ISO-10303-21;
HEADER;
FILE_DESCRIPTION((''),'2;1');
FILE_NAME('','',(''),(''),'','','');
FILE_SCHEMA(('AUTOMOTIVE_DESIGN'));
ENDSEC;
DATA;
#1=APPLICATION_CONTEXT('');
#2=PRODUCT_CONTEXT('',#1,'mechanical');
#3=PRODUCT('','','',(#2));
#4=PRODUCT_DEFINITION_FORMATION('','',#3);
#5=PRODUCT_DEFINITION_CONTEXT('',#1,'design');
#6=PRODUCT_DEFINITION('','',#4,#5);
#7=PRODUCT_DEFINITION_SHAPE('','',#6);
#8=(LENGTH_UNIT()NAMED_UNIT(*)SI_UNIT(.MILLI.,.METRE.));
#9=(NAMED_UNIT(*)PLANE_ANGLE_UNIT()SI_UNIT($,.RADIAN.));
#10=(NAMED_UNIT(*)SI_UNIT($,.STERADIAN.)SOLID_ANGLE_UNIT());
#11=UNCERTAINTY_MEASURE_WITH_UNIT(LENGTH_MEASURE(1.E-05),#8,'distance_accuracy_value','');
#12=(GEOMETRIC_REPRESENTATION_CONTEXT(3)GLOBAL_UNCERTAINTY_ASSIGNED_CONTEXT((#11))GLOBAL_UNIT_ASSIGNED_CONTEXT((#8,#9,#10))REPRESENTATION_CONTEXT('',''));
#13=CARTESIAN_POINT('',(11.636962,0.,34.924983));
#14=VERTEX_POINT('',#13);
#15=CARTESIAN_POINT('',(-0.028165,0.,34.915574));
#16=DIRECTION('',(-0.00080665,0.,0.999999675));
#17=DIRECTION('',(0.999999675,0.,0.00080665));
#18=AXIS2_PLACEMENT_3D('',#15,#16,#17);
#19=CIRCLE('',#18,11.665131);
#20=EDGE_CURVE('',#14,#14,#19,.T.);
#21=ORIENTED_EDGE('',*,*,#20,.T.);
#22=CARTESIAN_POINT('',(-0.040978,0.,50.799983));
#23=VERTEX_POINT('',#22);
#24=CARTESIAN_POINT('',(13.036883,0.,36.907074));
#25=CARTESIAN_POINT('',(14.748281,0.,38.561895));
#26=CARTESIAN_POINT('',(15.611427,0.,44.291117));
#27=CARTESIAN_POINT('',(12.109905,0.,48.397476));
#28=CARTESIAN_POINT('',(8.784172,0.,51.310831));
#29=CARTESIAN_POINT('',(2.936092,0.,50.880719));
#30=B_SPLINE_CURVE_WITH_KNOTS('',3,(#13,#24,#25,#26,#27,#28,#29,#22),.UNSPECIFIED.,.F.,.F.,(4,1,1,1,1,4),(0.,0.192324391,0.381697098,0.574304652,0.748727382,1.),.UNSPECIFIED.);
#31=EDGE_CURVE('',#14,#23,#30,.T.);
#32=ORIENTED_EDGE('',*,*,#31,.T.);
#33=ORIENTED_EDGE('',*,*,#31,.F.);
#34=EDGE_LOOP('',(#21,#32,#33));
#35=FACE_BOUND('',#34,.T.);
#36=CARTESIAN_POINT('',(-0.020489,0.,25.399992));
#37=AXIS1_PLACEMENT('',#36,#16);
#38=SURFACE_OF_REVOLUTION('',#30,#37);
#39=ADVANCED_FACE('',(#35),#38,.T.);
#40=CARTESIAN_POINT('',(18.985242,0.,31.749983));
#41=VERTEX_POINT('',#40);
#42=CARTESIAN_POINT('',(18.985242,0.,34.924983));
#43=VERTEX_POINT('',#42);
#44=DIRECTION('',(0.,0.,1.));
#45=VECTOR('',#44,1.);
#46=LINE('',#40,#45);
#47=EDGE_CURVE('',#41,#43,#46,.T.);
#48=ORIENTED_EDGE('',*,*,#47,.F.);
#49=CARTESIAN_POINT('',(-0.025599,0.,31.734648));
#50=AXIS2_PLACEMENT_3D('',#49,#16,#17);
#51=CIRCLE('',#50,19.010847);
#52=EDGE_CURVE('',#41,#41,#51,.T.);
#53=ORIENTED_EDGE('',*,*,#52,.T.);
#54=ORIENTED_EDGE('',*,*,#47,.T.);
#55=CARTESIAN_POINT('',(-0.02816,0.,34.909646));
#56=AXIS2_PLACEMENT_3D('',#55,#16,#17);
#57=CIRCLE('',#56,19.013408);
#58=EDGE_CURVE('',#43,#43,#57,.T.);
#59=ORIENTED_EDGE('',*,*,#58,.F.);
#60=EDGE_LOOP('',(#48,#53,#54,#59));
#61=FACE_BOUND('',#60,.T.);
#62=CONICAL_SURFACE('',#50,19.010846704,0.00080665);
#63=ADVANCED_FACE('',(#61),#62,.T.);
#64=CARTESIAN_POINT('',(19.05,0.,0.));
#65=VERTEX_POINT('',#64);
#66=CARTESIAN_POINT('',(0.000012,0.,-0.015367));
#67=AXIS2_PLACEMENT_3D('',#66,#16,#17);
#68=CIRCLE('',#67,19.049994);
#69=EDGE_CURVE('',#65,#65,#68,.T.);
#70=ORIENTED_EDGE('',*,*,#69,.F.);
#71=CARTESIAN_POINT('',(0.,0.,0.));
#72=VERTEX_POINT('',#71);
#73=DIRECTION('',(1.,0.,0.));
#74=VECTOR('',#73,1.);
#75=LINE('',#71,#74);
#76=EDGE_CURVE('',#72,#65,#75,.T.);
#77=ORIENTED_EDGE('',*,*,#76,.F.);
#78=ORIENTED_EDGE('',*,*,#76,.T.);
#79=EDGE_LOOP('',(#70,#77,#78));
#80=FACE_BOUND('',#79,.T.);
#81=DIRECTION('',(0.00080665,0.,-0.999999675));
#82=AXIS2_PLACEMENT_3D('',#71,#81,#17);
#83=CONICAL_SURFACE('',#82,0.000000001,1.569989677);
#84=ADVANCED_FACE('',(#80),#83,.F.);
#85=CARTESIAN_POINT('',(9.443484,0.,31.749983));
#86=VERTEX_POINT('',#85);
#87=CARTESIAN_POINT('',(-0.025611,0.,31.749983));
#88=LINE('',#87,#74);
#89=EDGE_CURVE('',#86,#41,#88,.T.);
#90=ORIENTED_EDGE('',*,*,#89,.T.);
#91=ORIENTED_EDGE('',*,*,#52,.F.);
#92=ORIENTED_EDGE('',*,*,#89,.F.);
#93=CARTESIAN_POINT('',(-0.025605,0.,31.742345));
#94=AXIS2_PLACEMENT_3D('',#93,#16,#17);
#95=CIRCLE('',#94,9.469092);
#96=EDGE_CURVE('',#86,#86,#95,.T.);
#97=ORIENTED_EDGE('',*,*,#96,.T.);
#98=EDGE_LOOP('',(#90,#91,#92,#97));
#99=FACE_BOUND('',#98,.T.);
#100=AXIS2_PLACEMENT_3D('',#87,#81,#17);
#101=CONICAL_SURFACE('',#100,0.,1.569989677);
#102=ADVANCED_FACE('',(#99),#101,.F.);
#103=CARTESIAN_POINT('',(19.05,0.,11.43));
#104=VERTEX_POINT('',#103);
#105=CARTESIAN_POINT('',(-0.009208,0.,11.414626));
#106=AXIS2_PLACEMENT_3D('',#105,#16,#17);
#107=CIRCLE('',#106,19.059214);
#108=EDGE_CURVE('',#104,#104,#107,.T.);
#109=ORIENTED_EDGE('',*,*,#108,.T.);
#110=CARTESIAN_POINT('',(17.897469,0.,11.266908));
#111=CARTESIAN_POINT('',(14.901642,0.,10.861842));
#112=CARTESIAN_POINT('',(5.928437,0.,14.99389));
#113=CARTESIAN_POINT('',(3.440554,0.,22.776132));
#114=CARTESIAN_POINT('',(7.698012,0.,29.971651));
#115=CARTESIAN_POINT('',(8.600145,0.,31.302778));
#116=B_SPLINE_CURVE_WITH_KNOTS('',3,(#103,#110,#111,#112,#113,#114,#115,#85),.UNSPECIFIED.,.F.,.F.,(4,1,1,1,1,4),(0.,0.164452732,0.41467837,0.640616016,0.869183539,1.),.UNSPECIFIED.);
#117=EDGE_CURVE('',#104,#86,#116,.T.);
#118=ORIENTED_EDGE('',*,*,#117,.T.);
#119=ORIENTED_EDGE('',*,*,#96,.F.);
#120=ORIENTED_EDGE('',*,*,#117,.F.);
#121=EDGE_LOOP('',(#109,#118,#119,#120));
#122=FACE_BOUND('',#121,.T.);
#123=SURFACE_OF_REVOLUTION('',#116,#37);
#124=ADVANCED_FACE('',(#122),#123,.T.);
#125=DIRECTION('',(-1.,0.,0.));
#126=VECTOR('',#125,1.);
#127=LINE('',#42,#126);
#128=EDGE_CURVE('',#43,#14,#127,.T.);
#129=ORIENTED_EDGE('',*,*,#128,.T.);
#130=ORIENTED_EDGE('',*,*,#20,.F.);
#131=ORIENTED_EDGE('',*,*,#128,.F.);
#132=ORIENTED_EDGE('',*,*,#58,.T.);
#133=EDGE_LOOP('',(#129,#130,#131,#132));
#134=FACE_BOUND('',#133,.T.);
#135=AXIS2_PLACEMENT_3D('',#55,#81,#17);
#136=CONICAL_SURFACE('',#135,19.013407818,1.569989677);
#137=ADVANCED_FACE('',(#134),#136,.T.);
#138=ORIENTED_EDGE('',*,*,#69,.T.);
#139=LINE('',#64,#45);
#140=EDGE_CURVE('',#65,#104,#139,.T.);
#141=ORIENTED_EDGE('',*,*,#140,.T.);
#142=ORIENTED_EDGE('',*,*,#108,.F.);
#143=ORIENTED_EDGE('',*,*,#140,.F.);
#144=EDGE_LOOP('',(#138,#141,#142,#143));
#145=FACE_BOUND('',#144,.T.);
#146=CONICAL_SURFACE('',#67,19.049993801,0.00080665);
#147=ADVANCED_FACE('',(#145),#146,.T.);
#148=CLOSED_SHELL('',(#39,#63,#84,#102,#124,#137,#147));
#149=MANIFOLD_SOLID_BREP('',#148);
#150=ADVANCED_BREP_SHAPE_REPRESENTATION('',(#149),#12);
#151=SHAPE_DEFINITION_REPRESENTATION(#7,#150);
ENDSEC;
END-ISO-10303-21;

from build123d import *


with BuildPart() as f1:
    # F0 (on Front) → F1 (revolve)
    with BuildSketch(Plane.XZ):
        with BuildLine():
            Line((-0.040977818, 50.7999834726), (-0.0281722457, 34.9249834726))
            Line((-0.0281722457, 34.9249834726), (11.6369621828, 34.9249834726))
            add(Edge.make_bspline(
                [(11.6369621828, 34.9249834726), (13.0368830044, 36.9070736327), (14.7482814634, 38.5618948704), (15.6114272398, 44.2911170723), (12.1099049121, 48.3974763504), (8.7841718232, 51.3108308554), (2.9360923547, 50.8807192763), (-0.040977818, 50.7999834726)],
                knots=[0, 0, 0, 0, 0.1923243915, 0.3816970985, 0.5743046521, 0.7487273818, 1, 1, 1, 1], degree=3))
        make_face()
        Polygon((-0.0281722457, 34.9249834726), (-0.0256111312, 31.7499834726), (9.4434842771, 31.7499834726), (18.9852417579, 31.7499834726), (18.9852417579, 34.9249834726), (11.6369621828, 34.9249834726), align=None)
        with BuildLine():
            Line((-0.0256111312, 31.7499834726), (0, 0))
            Line((0, 0), (19.05, 0))
            Line((19.05, 0), (19.05, 11.43))
            add(Edge.make_bspline(
                [(19.05, 11.43), (17.8974687558, 11.2669078731), (14.9016420454, 10.8618415577), (5.9284372664, 14.993889774), (3.4405535898, 22.7761324893), (7.6980120469, 29.9716513404), (8.6001447087, 31.3027782592), (9.4434842771, 31.7499834726)],
                knots=[0, 0, 0, 0, 0.1644527321, 0.4146783699, 0.6406160164, 0.8691835392, 1, 1, 1, 1], degree=3))
            Line((9.4434842771, 31.7499834726), (-0.0256111312, 31.7499834726))
        make_face()
    revolve(axis=Axis((-0.020488909, 0, 25.3999917363), (-0.00080665, 0, 0.9999996747)))


solid = f1.part
